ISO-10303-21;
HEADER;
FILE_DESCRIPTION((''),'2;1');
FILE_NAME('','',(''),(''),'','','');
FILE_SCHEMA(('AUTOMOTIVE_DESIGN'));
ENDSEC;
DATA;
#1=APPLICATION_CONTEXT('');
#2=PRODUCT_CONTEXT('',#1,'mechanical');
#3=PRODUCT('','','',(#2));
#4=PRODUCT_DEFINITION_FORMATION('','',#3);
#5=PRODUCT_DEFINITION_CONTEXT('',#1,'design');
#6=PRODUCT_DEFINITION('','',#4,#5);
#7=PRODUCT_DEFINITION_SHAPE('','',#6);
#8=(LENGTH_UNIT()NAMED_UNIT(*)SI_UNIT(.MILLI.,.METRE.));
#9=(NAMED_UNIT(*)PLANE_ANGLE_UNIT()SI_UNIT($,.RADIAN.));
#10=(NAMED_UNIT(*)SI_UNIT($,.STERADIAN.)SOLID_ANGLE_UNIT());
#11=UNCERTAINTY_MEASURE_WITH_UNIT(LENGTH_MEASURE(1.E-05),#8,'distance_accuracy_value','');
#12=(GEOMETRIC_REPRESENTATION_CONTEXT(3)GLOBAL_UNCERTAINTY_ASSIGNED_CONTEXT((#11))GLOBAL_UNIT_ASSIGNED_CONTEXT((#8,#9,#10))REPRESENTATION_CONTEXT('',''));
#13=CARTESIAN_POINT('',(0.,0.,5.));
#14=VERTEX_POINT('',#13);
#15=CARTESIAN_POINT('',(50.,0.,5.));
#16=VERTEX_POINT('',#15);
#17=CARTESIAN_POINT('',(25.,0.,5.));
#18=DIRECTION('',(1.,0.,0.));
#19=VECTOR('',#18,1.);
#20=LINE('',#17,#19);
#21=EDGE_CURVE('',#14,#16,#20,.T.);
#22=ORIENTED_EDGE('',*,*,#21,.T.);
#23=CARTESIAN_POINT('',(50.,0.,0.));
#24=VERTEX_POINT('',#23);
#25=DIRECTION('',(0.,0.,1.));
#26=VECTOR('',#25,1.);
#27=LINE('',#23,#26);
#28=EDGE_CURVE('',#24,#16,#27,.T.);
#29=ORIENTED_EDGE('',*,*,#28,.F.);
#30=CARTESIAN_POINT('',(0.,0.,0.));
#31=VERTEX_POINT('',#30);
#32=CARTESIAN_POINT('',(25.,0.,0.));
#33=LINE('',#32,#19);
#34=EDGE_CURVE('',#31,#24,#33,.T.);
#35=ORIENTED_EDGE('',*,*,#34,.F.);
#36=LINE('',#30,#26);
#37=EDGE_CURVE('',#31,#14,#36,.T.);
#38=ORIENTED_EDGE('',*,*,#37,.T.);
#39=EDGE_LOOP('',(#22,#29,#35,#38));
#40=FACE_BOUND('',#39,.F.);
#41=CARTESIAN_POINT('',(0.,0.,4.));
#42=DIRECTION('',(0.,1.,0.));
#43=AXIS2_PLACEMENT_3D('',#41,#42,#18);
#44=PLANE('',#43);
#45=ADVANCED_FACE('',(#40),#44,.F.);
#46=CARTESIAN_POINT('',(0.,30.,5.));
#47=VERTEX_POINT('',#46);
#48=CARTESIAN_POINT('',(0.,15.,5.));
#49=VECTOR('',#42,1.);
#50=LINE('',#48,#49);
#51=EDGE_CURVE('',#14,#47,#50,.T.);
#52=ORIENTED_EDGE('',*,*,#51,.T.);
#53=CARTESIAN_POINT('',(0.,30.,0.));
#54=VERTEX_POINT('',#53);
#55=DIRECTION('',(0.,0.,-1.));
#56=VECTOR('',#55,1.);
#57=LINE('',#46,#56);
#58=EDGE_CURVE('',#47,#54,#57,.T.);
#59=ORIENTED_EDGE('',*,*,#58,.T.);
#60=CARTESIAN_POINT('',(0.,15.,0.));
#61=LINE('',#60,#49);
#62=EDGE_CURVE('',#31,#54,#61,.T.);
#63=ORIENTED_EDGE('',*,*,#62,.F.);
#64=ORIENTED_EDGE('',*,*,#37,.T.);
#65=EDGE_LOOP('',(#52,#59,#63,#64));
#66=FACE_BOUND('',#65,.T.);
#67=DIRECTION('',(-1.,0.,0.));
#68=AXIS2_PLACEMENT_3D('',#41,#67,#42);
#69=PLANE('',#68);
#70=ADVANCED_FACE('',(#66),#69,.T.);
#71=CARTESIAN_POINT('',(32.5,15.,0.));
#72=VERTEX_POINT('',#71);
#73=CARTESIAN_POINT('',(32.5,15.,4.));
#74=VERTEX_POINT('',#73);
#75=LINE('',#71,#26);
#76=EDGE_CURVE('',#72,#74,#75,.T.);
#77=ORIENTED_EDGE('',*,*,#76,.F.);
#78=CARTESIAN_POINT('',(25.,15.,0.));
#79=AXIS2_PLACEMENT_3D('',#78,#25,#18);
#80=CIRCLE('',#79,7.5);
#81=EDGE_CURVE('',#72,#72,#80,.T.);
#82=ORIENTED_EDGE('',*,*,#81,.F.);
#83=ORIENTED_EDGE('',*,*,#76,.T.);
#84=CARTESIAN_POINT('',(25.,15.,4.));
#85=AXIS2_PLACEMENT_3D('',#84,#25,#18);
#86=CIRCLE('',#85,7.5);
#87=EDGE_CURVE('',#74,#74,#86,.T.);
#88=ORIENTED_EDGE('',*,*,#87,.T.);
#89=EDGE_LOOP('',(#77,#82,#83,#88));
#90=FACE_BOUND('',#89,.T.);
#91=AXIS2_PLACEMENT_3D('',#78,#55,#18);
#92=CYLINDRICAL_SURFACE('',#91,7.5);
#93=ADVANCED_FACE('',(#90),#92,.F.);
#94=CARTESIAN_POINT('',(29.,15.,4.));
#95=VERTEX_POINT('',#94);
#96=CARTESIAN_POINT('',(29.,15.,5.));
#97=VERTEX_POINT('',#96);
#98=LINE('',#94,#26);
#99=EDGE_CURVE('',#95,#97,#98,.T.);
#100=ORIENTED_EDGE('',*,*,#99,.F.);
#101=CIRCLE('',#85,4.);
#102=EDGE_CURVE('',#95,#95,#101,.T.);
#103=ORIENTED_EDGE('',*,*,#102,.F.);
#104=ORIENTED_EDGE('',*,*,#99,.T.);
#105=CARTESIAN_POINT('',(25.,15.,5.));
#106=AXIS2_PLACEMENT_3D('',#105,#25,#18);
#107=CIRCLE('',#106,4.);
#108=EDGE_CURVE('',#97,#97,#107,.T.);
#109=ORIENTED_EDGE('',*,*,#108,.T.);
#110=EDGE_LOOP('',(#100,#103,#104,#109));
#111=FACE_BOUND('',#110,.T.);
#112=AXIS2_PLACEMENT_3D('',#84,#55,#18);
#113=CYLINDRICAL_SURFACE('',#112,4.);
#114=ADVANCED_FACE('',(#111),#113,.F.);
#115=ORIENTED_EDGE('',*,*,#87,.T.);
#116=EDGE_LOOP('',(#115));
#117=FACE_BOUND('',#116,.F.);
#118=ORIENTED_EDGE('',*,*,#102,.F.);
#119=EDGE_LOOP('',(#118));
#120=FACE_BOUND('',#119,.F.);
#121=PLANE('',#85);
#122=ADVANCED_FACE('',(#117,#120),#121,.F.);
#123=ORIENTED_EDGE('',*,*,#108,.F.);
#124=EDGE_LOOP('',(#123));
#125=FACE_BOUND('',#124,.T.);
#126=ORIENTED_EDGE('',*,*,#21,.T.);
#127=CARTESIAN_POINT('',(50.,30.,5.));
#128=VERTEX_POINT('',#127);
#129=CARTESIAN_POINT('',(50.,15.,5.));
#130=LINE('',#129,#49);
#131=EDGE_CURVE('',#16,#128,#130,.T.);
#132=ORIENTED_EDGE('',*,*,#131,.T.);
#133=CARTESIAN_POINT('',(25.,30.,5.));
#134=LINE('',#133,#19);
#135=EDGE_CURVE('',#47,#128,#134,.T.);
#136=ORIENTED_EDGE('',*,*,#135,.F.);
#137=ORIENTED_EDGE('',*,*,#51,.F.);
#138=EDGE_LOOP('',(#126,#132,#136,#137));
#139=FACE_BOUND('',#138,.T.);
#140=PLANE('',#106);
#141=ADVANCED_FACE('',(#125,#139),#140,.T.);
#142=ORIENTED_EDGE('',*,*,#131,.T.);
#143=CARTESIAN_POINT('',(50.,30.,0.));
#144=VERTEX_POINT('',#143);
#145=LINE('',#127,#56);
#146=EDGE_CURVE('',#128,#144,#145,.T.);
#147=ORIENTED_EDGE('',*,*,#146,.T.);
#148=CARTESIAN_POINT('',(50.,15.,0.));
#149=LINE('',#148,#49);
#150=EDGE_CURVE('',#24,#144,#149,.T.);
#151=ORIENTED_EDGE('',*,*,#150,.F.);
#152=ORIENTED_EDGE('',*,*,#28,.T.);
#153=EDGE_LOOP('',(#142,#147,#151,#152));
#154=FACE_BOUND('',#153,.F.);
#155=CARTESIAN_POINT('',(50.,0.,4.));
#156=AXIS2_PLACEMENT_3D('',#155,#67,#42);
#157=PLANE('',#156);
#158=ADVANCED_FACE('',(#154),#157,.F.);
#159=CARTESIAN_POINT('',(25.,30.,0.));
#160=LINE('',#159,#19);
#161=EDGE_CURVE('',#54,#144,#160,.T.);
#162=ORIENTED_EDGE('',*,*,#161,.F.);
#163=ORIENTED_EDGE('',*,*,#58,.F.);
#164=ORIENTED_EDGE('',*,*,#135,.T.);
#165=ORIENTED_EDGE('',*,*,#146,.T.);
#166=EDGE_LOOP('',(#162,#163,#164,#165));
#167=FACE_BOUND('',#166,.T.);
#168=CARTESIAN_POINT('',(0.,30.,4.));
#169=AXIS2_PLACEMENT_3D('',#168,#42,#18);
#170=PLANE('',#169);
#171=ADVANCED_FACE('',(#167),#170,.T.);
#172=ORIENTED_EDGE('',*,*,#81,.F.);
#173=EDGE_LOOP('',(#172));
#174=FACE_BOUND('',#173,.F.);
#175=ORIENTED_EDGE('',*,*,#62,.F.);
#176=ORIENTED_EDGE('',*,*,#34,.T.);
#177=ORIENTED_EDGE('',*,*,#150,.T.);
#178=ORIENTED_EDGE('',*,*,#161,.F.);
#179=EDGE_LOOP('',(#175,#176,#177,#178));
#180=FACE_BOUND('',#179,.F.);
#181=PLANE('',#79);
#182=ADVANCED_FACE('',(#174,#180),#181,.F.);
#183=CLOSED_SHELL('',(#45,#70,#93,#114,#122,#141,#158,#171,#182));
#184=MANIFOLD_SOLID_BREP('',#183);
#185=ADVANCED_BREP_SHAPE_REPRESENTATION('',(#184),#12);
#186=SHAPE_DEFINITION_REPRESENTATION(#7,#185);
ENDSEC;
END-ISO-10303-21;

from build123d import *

# Parameters (mm, degrees)
SKETCH_W     = 50
SKETCH_H     = 30
SKETCH_R     = 7.5
PAD_DEPTH    = 4
SKETCH001_W  = 50
SKETCH001_H  = 30
SKETCH001_R  = 4
PAD001_DEPTH = 1


with BuildPart() as part:
    # Sketch → Pad (new body)
    with BuildSketch(Plane.XY):
        with Locations((25, 15)):
            Rectangle(SKETCH_W, SKETCH_H)
        with Locations((25, 15)):
            Circle(SKETCH_R, mode=Mode.SUBTRACT)
    extrude(amount=PAD_DEPTH)

    # Sketch001 (on Face7 of Pad) → Pad001 (join)
    with BuildSketch(Plane.XY.offset(4)):
        with Locations((25, 15)):
            Rectangle(SKETCH001_W, SKETCH001_H)
        with Locations((25, 15)):
            Circle(SKETCH001_R, mode=Mode.SUBTRACT)
    extrude(amount=PAD001_DEPTH)


solid = part.part
